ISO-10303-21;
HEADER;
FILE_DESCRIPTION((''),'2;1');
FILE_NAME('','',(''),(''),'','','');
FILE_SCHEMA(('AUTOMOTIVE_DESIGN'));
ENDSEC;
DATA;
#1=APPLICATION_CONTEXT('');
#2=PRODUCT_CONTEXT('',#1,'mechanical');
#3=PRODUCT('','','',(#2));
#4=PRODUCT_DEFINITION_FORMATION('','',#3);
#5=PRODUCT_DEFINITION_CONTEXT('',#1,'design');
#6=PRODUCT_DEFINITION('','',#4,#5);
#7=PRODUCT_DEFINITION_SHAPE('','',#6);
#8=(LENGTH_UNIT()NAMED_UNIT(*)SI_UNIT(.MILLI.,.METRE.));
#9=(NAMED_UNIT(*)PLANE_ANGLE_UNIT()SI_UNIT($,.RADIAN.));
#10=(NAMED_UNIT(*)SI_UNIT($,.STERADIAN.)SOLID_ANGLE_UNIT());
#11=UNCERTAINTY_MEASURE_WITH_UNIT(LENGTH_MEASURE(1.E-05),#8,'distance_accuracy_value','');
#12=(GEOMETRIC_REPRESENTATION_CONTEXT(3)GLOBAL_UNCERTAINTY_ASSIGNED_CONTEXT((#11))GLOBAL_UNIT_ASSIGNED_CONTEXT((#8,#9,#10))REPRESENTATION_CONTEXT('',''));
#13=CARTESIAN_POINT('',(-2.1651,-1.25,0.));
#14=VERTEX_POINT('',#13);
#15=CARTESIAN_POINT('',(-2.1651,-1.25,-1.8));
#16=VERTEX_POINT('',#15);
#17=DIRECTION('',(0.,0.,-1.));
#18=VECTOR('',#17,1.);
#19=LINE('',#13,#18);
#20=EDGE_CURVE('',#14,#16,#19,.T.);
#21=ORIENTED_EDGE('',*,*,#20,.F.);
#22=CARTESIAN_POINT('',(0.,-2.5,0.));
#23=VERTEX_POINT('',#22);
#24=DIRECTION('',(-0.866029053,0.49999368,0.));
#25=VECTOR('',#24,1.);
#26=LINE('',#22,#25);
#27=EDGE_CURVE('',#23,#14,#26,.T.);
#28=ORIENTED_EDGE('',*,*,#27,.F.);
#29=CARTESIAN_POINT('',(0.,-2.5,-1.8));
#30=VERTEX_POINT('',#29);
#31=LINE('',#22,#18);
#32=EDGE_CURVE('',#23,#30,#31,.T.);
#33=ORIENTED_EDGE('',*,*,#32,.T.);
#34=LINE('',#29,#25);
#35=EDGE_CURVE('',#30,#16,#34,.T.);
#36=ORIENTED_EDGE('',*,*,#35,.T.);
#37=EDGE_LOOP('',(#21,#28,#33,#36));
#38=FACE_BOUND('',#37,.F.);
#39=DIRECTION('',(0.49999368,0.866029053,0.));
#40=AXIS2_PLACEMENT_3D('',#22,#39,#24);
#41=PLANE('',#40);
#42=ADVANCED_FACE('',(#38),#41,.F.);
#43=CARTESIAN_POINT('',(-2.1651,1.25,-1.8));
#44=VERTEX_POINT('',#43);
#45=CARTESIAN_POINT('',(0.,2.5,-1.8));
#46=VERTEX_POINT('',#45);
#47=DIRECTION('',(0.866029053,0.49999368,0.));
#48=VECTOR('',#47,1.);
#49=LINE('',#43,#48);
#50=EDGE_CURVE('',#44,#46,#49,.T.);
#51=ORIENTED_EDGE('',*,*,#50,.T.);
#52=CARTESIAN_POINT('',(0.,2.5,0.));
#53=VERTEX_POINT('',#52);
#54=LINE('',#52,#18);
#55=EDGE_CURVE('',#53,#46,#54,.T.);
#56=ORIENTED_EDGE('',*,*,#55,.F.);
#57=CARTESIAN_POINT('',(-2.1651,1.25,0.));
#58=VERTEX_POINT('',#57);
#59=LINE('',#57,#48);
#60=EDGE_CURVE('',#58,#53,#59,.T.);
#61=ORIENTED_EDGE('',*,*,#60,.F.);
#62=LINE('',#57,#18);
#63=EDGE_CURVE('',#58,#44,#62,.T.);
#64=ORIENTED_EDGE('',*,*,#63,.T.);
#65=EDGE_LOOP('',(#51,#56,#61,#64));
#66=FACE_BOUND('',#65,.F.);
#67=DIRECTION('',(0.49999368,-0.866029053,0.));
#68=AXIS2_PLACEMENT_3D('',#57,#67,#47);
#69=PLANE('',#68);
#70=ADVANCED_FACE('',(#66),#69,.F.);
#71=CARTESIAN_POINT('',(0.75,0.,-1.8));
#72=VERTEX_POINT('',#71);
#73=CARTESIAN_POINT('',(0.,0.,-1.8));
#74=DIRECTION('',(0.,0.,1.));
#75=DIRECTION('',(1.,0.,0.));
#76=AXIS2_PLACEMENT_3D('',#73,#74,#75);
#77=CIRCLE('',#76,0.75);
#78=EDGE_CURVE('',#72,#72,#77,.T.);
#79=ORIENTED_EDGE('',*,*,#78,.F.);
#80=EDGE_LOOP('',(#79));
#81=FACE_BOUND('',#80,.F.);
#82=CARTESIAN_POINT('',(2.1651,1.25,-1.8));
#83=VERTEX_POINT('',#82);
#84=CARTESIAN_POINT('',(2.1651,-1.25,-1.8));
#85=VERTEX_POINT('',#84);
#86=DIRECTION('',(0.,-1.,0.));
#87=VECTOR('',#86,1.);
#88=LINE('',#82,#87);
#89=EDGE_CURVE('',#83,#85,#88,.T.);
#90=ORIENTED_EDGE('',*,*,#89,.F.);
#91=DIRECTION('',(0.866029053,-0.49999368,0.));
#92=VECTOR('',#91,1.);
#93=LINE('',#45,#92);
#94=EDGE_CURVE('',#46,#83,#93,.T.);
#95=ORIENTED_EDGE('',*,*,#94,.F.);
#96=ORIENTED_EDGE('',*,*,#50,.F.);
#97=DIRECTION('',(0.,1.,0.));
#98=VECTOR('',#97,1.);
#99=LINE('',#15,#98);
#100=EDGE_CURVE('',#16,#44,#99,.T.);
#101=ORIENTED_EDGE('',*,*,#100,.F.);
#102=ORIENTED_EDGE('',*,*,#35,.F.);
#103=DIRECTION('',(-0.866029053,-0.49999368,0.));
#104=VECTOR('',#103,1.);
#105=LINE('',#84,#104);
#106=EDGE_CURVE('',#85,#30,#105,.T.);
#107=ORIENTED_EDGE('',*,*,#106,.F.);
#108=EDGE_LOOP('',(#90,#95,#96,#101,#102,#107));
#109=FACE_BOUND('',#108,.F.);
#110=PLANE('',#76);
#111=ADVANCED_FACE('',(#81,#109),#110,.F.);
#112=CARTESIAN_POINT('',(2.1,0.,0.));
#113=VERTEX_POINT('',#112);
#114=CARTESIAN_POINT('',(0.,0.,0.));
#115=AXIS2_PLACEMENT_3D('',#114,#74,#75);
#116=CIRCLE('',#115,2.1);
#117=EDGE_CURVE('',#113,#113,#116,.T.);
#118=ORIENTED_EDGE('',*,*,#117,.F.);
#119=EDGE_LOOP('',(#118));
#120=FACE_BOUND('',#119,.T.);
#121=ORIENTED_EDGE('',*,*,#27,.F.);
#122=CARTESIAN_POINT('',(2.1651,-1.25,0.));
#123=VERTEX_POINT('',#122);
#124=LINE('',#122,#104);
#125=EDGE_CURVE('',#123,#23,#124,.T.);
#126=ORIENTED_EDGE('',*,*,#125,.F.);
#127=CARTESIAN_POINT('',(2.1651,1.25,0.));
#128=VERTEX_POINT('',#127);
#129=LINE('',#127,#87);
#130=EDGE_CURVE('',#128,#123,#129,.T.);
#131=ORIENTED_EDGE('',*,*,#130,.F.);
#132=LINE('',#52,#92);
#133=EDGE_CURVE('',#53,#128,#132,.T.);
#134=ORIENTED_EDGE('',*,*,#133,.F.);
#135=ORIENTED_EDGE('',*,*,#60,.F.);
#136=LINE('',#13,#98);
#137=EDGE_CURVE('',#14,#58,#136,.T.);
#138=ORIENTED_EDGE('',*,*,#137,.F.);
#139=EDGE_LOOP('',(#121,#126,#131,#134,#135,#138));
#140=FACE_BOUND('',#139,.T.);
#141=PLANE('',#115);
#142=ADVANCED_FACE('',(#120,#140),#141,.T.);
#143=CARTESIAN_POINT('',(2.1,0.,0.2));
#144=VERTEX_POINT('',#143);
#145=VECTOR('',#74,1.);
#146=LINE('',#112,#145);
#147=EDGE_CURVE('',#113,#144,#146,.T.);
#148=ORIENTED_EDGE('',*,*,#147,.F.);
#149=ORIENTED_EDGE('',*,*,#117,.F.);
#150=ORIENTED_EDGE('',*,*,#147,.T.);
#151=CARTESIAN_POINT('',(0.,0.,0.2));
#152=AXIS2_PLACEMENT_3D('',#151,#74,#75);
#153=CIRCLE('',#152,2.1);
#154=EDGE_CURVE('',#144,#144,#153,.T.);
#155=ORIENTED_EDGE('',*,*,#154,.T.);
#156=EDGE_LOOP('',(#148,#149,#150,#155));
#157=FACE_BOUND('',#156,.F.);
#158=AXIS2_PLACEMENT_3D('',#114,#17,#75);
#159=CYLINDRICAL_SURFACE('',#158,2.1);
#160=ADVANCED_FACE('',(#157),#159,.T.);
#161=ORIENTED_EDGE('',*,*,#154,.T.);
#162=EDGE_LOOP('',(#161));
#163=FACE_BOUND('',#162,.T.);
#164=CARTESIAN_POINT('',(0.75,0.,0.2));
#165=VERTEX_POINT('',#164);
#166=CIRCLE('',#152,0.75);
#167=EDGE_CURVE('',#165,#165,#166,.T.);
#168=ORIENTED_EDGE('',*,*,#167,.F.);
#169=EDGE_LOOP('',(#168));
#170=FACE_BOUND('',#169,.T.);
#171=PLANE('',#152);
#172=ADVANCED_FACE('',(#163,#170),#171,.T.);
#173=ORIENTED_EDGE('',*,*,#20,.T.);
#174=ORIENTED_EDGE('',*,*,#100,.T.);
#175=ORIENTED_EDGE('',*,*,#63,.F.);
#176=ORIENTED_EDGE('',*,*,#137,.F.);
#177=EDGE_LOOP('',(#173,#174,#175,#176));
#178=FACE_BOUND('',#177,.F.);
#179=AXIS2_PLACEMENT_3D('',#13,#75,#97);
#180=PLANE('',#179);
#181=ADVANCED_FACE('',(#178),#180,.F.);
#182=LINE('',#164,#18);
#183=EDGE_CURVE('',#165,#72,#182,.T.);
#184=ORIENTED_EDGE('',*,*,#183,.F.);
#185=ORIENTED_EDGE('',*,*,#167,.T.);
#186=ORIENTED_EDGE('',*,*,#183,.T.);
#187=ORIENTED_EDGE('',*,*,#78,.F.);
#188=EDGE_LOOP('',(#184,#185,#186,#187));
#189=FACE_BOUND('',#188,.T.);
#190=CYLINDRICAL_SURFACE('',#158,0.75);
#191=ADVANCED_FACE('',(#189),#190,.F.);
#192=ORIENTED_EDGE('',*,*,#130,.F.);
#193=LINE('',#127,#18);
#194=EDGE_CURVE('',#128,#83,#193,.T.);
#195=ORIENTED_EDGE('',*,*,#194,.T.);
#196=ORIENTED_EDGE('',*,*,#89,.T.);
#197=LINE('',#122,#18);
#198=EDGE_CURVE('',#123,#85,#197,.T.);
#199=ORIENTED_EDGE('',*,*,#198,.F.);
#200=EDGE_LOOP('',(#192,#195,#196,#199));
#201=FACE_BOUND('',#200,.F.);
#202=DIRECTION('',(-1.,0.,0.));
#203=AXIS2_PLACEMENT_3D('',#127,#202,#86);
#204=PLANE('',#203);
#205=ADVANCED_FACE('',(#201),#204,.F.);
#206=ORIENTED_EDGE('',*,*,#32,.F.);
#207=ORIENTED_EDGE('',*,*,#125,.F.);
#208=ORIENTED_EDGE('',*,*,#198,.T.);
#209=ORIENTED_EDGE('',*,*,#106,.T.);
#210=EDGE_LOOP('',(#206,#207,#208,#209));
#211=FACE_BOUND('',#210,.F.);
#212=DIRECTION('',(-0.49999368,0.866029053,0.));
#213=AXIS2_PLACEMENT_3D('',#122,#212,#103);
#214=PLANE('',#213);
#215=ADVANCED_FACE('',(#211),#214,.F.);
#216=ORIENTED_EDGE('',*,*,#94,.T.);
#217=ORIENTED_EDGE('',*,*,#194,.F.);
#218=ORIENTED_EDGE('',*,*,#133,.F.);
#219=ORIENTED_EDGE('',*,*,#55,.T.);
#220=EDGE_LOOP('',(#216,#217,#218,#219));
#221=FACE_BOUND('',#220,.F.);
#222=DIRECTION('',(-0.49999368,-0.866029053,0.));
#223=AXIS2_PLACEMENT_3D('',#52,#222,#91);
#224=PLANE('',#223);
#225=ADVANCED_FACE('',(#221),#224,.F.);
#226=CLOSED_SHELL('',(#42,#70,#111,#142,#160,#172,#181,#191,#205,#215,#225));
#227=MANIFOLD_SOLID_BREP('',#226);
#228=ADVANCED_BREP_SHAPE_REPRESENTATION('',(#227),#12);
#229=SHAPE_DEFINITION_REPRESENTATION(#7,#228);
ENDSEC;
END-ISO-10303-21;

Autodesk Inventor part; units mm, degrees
ref_plane "YZ Plane" through (0, 0, 0) normal (1, 0, 0) x (0, 1, 0)
ref_plane "XZ Plane" through (0, 0, 0) normal (0, 1, 0) x (-1, 0, 0)
ref_plane "XY Plane" through (0, 0, 0) normal (0, 0, 1) x (1, 0, 0)
sketch "スケッチ1" plane through (0, 0, 0) normal (0, 0, 1) x (1, 0, 0)
  line L0 (0, -2.5) -> (-2.1651, -1.25)
  line L1 (-2.1651, -1.25) -> (-2.1651, 1.25)
  line L2 (-2.1651, 1.25) -> (0, 2.5)
  line L3 (0, 2.5) -> (2.1651, 1.25)
  line L4 (2.1651, 1.25) -> (2.1651, -1.25)
  line L5 (2.1651, -1.25) -> (0, -2.5)
  circle A0 centre (0, 0) radius 0.75
  circle A1 centre (0, 0) radius 2.1
  dimension "d0" = 5
  dimension "d1" = 4.3301
  dimension "d2" = 1.5
  dimension "d3" = 4.2
extrude "押し出し1" add sketch "スケッチ1" against normal blind 1.8 contours L0 L1 L2 L3 L4 L5 | A1
extrude "押し出し2" add sketch "スケッチ1" along normal blind 0.2 contours A1
properties part number "ナット"
